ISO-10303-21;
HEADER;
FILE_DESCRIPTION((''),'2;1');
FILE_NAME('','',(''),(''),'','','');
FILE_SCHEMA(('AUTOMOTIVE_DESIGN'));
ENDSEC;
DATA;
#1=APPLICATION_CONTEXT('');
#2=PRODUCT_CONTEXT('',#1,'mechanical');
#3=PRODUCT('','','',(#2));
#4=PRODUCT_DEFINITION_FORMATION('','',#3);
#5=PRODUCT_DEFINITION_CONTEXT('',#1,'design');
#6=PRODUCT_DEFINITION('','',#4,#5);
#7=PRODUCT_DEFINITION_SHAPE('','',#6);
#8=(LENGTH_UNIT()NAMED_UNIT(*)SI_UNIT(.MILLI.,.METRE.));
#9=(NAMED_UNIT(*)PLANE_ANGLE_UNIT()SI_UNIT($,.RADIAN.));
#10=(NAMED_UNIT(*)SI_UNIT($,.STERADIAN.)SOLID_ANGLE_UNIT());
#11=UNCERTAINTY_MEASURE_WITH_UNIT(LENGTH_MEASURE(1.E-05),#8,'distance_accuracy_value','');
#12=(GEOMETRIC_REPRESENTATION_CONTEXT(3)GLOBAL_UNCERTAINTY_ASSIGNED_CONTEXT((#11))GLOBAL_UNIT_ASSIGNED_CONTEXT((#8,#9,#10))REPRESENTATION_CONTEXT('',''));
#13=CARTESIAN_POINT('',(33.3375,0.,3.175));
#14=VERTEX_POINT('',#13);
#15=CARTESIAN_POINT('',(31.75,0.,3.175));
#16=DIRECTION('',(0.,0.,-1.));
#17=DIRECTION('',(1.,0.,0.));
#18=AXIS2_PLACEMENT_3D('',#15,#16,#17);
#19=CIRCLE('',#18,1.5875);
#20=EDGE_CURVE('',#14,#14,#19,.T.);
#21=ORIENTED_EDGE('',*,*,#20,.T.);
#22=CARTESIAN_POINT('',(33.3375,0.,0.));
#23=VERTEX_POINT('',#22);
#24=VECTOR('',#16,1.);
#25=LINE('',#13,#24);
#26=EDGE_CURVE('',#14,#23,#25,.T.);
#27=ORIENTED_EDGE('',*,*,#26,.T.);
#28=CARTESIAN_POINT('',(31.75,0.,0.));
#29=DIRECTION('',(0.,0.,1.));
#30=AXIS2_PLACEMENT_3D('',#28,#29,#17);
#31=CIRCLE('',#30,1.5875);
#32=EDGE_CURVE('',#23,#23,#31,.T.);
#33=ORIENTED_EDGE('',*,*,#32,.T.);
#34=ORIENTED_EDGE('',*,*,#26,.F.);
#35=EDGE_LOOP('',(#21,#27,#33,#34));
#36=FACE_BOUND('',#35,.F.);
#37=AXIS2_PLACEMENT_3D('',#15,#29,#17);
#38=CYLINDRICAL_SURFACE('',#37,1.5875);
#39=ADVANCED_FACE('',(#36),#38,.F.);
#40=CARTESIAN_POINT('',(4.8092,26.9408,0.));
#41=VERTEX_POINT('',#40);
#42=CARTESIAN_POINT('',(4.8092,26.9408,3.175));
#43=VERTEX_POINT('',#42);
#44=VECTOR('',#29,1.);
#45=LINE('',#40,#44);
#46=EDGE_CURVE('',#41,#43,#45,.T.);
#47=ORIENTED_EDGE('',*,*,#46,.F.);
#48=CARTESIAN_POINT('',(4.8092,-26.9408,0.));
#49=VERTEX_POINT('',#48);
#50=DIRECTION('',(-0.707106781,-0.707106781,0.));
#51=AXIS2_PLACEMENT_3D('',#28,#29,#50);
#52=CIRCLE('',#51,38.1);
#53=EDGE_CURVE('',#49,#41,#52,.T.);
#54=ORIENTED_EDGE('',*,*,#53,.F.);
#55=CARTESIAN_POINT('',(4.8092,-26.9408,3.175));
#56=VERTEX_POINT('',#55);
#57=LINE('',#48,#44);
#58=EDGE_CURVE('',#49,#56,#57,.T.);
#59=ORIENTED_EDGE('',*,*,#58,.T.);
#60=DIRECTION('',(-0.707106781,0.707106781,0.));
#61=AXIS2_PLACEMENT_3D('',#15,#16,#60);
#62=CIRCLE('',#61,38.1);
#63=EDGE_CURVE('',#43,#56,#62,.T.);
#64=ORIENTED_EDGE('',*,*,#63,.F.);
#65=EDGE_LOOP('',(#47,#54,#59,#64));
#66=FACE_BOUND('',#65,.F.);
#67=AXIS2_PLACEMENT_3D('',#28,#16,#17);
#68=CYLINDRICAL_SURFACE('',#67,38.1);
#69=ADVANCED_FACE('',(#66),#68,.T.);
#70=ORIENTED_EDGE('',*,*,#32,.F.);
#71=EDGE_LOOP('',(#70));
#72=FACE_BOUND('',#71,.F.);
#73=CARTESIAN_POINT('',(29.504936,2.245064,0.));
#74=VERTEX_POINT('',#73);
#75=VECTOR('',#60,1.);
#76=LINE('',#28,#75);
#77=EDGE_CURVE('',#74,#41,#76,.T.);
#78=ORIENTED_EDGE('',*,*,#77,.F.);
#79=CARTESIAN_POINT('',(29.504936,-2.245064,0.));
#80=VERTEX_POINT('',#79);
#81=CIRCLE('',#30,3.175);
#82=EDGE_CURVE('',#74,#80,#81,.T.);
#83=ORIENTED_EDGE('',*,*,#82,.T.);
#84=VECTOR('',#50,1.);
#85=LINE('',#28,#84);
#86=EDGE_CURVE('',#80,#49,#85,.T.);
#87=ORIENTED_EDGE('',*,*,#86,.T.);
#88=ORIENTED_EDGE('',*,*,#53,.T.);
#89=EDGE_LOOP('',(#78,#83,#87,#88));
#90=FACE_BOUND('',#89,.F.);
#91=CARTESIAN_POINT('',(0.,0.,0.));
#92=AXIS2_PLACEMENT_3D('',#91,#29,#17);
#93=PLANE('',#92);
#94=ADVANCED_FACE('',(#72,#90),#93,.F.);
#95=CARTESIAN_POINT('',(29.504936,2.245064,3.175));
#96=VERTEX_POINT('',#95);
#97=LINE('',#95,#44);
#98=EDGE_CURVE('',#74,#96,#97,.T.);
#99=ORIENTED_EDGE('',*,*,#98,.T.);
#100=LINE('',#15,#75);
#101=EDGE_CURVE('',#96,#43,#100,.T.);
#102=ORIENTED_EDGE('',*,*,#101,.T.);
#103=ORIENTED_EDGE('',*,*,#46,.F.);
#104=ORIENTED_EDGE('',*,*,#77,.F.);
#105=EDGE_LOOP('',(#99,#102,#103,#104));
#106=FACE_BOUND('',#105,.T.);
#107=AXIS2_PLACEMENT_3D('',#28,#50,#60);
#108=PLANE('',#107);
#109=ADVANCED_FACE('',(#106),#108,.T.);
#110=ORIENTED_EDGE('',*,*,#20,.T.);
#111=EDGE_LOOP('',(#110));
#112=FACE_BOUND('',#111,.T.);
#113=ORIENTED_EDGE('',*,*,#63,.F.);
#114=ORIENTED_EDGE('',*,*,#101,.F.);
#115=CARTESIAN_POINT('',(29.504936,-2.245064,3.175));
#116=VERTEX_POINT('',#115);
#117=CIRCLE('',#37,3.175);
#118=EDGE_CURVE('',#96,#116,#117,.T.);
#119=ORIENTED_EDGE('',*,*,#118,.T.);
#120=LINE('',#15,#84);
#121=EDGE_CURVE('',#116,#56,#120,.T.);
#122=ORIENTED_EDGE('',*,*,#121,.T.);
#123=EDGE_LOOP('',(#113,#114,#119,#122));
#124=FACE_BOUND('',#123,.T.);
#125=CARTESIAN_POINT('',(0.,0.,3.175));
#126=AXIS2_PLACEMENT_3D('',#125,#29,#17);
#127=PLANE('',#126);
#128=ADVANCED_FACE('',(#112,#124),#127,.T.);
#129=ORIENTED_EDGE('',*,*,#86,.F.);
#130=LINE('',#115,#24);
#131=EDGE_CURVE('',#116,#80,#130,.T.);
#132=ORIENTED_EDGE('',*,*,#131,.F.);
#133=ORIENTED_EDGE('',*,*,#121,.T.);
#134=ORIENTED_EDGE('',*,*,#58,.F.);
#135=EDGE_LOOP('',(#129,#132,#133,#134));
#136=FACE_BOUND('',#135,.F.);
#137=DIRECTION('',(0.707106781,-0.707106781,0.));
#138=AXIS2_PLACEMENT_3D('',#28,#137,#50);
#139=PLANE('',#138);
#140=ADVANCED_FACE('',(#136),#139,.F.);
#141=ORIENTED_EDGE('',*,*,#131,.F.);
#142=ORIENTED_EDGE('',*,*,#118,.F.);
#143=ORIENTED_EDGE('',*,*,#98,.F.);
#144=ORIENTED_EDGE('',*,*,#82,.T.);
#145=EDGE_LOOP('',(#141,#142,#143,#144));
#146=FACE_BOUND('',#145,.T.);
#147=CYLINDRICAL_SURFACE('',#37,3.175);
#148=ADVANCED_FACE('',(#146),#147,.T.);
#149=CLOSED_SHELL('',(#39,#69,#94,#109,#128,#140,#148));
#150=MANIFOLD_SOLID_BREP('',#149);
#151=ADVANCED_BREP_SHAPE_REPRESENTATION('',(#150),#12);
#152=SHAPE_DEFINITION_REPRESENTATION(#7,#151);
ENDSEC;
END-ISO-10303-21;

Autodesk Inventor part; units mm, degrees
ref_plane "YZ Plane" through (0, 0, 0) normal (1, 0, 0) x (0, 1, 0)
ref_plane "XZ Plane" through (0, 0, 0) normal (0, 1, 0) x (-1, 0, 0)
ref_plane "XY Plane" through (0, 0, 0) normal (0, 0, 1) x (1, 0, 0)
sketch "Sketch1" plane through (0, 0, 0) normal (0, 0, 1) x (1, 0, 0)
  circle A0 centre (0, 0) radius 20.32
  circle A1 centre (31.75, 0) radius 38.1
  line L0 (31.75, 0) -> (4.8092, 26.9408)
  line L1 (31.75, 0) -> (4.8092, -26.9408)
  dimension "d0" = 40.64
  dimension "d1" = 90
  dimension "d3" = 0
  dimension "d5" = 31.75
  dimension "d6" = 76.2
extrude "Extrusion1" add sketch "Sketch1" along normal blind 3.175 contours A1 L1 L0
sketch "Sketch2" plane through (0, 0, 3.175) normal (0, 0, 1) x (1, 0, 0)
  line L0 (31.75, 0) -> (4.8092, -26.9408) projected
  circle A0 centre (31.75, 0) radius 1.5875
  circle A1 centre (31.75, 0) radius 3.175
  point P0 (0, 0)
  dimension "d10" = 3.175
  dimension "d11" = 6.35
extrude "Extrusion2" add sketch "Sketch2" against normal blind 3.175
sketch "Sketch3" plane through (0, 0, 3.175) normal (0, 0, 1) x (1, 0, 0)
  line L0 (31.75, 0) -> (30.6275, -1.1225) projected
  circle A0 centre (31.75, 0) radius 1.5875
  point P0 (0, 0)
extrude "Extrusion3" cut sketch "Sketch3" against normal blind 3.175
properties part number "Release1"
